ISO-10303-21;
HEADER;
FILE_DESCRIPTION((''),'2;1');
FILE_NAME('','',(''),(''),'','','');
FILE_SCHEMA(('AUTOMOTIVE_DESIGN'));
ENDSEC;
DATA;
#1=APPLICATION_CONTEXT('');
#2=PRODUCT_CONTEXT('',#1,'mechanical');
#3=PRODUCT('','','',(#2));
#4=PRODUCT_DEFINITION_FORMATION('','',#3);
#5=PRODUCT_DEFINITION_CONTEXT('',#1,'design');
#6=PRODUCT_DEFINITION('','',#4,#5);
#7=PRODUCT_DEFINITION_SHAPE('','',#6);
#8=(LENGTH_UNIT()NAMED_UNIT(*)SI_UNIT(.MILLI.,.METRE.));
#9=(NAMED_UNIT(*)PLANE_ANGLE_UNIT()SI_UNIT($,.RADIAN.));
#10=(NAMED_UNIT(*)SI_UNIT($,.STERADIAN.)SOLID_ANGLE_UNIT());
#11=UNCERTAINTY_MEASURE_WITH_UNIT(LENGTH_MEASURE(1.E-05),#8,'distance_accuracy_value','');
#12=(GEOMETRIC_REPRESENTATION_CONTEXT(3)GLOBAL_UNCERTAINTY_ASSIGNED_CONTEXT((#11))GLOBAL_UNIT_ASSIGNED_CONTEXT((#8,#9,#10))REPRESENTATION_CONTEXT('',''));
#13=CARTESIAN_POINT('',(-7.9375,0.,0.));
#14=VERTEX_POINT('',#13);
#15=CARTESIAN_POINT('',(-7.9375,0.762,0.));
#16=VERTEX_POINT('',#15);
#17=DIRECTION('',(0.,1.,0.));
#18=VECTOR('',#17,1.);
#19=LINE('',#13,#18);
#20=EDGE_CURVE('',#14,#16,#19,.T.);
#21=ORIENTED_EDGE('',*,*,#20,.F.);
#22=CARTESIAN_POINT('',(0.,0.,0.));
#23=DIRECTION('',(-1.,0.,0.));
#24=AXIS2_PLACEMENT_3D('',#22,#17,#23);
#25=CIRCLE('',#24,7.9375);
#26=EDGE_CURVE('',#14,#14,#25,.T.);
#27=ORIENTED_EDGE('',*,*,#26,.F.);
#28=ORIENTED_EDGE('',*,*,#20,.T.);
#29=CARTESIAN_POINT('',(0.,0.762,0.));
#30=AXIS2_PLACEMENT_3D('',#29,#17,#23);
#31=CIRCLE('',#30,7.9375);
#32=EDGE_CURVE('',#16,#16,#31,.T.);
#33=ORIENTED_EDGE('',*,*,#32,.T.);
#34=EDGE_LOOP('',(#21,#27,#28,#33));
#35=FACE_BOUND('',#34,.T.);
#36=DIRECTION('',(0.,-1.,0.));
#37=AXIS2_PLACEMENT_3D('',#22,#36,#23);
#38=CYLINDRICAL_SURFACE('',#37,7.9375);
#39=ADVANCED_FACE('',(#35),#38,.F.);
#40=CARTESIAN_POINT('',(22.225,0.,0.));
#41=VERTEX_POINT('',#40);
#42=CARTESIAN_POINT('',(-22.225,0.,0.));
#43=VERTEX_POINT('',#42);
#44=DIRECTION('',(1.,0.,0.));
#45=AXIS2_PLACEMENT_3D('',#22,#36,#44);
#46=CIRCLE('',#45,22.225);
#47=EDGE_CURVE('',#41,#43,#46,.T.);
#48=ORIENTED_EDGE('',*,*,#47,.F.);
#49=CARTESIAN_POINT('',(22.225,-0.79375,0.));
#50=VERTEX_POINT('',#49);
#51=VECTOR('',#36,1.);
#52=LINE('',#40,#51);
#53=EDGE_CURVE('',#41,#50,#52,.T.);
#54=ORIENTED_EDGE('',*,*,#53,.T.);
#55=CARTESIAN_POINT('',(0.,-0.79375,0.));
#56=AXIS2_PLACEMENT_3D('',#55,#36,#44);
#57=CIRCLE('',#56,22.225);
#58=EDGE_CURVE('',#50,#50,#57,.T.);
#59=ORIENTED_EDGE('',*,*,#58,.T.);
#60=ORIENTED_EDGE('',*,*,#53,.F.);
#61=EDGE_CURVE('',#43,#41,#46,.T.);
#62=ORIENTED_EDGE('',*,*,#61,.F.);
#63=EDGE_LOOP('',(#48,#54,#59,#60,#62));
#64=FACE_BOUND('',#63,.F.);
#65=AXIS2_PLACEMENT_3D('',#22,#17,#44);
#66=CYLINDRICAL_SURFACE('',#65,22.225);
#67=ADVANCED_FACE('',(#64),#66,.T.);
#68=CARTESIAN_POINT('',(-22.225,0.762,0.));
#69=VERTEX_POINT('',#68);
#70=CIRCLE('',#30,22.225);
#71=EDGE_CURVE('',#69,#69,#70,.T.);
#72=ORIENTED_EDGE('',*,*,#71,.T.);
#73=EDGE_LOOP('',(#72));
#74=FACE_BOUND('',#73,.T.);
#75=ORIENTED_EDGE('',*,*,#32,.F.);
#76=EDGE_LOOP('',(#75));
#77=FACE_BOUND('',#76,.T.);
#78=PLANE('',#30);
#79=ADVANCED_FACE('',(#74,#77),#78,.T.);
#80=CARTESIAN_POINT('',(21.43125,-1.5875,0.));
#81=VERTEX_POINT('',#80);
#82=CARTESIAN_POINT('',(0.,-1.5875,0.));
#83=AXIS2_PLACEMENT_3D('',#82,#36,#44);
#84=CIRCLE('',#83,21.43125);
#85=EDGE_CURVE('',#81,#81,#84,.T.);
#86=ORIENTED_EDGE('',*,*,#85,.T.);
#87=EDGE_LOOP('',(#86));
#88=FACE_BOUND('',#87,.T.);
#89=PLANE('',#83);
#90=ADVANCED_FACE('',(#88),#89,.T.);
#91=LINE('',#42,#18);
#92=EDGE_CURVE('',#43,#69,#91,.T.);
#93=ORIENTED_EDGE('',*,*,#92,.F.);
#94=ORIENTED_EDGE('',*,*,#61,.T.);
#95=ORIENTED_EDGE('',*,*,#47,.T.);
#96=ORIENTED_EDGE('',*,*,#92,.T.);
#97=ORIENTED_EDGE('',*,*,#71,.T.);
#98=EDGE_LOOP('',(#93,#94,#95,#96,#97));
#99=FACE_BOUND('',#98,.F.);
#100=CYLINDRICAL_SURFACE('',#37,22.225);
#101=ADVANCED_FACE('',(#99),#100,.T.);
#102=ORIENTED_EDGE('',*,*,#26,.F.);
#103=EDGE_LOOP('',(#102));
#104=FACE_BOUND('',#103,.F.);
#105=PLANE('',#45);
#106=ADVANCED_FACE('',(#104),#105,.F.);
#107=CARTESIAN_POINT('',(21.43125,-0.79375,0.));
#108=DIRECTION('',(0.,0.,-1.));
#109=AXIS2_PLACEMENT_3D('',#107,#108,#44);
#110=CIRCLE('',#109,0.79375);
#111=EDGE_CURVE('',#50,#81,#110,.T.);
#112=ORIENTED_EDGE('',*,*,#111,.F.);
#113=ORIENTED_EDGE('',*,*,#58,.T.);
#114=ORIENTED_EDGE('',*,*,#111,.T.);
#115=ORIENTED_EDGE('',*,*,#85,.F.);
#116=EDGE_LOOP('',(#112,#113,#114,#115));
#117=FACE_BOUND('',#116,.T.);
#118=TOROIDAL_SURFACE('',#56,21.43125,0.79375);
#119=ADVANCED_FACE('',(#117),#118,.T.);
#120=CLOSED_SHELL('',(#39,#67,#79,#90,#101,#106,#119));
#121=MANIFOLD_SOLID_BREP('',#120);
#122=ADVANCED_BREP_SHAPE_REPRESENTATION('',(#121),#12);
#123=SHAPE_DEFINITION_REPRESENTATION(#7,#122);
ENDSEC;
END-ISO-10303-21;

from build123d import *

# Parameters (mm, degrees)
F0_R     = 22.225
F1_DEPTH = 1.5875
F2_R     = 0.79375
F3_R     = 22.225
F3_R_2   = 7.9375
F4_DEPTH = 0.762


with BuildPart() as f1:
    # F0 (on Front) → F1 (new body)
    with BuildSketch(Plane.XZ):
        Circle(F0_R)
    extrude(amount=F1_DEPTH)

    # F2
    f2_edges = [f1.edges().sort_by_distance(p)[0] for p in [
        (-22.225, -1.5875, 0),
    ]]
    fillet(f2_edges, radius=F2_R)

    # F3 (on face) → F4 (join)
    with BuildSketch(Plane(origin=(0, 0, 0), x_dir=(-1, 0, 0), z_dir=(0, 1, 0))):
        Circle(F3_R)
        Circle(F3_R_2, mode=Mode.SUBTRACT)
    extrude(amount=F4_DEPTH)


solid = f1.part
